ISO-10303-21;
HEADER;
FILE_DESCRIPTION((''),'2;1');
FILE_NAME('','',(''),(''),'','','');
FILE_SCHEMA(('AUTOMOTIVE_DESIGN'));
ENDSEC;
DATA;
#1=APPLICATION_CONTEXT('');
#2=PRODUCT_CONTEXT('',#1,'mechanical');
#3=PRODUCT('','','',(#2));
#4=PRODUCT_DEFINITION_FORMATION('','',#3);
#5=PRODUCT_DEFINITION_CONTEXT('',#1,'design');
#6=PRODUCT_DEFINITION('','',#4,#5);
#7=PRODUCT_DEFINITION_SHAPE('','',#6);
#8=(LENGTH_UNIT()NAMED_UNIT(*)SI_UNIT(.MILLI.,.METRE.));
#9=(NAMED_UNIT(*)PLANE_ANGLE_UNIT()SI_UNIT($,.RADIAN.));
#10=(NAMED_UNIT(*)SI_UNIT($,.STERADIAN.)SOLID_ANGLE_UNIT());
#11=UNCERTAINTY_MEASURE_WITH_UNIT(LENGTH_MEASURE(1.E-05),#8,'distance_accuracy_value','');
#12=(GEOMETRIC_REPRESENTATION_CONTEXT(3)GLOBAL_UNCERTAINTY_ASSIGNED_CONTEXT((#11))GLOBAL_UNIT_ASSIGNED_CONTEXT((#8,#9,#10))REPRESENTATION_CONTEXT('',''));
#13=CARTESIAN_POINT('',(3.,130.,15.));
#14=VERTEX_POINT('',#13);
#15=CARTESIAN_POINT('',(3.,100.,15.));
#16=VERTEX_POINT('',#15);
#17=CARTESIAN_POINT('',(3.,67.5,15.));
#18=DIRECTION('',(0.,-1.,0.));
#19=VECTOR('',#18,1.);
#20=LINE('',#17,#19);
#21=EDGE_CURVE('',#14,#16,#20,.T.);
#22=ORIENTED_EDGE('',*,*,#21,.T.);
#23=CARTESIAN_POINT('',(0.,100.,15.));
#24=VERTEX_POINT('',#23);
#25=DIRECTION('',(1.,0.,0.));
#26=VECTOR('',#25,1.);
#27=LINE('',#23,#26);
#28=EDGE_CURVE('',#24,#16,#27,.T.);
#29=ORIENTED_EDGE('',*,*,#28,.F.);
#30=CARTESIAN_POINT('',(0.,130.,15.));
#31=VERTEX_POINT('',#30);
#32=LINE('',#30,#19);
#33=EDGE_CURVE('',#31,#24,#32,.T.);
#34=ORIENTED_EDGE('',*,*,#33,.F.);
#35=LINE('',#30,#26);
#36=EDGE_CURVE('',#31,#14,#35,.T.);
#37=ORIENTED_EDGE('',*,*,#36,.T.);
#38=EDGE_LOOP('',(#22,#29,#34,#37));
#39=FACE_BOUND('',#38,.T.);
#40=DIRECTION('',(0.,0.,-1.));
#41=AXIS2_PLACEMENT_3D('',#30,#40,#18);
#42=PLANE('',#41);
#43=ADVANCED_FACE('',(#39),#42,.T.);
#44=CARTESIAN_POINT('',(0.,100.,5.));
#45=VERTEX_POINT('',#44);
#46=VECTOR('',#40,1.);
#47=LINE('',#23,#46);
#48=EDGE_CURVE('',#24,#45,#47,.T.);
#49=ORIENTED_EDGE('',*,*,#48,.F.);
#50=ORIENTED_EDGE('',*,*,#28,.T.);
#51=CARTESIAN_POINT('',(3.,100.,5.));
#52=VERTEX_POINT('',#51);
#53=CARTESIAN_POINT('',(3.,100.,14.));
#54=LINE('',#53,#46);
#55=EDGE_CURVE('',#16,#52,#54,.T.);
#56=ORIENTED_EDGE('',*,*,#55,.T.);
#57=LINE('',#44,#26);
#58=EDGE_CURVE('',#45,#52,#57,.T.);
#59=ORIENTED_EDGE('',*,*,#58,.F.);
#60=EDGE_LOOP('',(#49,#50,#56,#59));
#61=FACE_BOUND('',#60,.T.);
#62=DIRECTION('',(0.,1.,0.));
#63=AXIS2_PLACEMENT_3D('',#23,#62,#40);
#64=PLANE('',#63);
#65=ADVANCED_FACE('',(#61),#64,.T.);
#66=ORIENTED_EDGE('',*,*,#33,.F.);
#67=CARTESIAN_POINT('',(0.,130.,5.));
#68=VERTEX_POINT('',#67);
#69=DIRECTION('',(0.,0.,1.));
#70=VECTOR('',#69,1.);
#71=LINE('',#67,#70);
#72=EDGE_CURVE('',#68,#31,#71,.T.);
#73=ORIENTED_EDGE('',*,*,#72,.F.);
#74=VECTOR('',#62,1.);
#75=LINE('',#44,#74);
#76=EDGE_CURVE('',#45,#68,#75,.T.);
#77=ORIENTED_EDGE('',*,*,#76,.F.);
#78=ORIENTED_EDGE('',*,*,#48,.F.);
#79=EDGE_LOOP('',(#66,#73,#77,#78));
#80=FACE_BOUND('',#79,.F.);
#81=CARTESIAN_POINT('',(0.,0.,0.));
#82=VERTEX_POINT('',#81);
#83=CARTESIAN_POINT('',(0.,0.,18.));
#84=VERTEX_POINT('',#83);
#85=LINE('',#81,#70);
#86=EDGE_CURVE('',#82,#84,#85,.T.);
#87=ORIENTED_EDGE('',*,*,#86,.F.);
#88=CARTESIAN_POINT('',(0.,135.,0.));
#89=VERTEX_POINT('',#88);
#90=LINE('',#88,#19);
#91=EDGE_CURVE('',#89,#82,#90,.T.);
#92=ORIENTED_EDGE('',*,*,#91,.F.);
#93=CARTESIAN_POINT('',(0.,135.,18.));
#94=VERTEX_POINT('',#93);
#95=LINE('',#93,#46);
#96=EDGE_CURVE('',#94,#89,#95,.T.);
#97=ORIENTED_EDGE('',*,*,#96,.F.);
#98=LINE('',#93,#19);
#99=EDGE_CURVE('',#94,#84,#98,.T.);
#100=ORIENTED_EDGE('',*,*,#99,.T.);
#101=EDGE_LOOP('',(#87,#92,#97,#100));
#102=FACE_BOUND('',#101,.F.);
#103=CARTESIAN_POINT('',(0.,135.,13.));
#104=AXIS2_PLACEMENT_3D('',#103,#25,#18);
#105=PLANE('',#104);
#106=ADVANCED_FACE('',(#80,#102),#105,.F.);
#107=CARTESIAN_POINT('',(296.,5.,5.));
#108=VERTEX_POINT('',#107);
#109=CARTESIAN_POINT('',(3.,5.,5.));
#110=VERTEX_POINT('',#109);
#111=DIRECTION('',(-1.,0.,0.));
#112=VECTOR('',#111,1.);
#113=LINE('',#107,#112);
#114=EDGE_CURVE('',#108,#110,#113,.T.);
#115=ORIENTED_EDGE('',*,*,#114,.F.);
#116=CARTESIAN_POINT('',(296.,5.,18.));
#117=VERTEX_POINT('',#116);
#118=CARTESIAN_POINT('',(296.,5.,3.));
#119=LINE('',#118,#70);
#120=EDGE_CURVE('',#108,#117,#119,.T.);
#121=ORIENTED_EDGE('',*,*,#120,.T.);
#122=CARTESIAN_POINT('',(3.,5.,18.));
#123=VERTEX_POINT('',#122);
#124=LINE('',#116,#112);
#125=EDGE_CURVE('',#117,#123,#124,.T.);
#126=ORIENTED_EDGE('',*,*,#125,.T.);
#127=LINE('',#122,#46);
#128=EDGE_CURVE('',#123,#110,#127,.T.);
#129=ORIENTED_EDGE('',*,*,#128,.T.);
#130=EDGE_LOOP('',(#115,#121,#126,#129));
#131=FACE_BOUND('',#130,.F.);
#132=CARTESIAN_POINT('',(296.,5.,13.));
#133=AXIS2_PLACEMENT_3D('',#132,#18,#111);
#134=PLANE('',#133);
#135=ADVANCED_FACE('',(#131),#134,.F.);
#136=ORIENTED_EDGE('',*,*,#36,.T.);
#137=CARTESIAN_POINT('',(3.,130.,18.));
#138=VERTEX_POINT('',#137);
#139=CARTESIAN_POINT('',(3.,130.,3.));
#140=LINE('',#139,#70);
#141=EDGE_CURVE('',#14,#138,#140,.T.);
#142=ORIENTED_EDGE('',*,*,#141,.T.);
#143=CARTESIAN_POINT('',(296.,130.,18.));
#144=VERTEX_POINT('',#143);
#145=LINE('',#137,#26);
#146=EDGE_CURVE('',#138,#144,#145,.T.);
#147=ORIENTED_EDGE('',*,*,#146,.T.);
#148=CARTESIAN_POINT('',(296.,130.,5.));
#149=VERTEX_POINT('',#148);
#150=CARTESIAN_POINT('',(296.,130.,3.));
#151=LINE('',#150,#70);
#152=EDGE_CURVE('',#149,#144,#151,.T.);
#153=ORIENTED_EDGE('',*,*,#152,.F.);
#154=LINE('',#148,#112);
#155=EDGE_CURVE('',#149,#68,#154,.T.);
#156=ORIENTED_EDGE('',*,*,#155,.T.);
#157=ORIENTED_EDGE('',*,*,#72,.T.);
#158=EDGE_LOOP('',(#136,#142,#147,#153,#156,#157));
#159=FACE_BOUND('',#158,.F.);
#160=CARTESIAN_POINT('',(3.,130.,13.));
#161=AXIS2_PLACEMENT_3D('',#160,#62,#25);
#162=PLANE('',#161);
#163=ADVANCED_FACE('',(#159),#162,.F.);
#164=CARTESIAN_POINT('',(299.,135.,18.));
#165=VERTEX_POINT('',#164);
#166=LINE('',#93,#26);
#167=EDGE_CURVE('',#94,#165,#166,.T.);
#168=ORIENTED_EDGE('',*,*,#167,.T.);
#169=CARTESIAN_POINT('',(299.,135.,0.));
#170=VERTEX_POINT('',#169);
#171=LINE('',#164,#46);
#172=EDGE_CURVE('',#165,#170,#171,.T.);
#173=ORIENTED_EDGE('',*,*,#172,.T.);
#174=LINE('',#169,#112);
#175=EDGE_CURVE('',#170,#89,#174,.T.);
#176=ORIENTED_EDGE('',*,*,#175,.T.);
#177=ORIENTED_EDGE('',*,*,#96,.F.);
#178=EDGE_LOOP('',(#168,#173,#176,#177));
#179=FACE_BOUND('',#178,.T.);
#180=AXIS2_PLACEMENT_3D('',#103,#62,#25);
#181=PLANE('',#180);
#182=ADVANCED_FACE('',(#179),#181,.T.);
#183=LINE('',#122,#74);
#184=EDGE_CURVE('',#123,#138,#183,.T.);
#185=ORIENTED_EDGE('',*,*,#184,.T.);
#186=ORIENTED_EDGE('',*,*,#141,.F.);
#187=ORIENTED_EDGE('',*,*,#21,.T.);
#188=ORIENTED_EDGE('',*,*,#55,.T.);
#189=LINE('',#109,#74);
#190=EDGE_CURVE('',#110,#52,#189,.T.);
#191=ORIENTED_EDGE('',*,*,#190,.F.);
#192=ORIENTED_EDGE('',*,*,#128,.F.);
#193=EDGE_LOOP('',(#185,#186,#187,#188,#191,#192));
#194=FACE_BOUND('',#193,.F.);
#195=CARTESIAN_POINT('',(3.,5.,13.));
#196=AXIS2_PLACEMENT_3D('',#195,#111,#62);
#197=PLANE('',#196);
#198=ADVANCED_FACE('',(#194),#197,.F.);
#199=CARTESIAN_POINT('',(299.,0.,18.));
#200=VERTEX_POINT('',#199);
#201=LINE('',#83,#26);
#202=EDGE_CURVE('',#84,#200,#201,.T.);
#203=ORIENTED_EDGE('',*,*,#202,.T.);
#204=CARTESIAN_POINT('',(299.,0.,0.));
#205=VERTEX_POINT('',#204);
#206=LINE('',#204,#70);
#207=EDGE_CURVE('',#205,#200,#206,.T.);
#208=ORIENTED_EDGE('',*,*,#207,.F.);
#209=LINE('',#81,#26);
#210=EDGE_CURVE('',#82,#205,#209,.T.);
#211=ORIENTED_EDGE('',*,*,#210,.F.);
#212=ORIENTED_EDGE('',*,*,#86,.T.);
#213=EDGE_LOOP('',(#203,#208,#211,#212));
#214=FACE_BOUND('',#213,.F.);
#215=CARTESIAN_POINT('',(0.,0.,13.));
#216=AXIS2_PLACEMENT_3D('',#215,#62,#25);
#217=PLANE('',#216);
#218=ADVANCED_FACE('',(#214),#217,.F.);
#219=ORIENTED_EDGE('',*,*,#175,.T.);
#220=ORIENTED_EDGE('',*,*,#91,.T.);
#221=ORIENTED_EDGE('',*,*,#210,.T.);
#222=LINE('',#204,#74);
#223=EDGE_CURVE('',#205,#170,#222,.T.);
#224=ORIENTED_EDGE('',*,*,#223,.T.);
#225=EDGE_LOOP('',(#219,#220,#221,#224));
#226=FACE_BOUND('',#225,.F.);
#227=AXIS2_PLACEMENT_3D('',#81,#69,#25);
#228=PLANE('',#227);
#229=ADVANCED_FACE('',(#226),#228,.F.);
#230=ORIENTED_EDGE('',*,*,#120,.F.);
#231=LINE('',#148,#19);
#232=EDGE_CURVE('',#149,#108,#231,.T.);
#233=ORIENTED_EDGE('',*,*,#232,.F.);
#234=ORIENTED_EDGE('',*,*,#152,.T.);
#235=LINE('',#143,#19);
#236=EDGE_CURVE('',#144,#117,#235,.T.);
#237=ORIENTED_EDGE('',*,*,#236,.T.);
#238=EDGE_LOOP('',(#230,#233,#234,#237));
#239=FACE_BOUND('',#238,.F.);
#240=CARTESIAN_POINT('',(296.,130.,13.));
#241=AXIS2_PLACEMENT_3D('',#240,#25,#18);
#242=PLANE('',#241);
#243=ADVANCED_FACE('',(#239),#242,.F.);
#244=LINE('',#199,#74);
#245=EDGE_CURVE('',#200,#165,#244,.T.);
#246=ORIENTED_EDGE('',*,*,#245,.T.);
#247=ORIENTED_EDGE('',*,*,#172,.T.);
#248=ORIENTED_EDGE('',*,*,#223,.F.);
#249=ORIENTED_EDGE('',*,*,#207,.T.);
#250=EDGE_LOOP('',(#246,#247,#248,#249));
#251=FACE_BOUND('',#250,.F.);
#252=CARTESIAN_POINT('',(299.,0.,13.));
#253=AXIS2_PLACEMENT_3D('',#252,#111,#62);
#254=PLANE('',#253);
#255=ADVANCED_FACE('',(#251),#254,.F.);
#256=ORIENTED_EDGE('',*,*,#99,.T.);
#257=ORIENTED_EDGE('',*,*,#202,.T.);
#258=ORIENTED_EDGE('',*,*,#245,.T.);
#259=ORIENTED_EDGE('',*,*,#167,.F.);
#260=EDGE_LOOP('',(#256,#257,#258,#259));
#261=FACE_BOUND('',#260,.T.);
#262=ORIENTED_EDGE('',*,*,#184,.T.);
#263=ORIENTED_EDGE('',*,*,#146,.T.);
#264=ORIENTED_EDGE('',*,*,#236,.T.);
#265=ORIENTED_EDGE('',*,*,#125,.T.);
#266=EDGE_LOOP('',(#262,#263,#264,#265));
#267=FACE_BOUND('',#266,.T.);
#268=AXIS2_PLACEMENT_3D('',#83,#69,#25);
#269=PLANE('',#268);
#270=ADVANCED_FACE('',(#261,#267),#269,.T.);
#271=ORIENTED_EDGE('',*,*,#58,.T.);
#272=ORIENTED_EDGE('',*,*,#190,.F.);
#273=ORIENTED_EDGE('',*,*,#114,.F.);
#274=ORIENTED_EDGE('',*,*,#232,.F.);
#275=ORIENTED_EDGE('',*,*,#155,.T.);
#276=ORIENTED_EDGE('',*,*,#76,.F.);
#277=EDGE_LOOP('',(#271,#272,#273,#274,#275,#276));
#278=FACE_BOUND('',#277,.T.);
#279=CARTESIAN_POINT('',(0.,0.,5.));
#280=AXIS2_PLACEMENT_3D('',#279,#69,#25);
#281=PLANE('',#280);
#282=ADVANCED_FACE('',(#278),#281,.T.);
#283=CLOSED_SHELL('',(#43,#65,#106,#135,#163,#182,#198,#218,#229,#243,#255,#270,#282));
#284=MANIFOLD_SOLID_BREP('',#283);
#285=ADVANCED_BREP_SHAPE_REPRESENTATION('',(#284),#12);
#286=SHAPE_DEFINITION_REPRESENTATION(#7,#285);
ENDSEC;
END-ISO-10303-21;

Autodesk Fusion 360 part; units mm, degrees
sketch "Sketch1" plane through (0, 0, 0) normal (0, 0, 1) x (1, 0, 0)
  line L0 (0, 0) -> (299, 0)
  line L1 (299, 0) -> (299, 135)
  line L2 (299, 135) -> (0, 135)
  line L3 (0, 135) -> (0, 0)
  line L4 (0, 135) -> (3, 135)
  line L5 (3, 130) -> (296, 130)
  line L6 (296, 130) -> (296, 5)
  line L7 (296, 5) -> (3, 5)
  line L8 (3, 5) -> (3, 130)
  dimension "d1" = 299
  dimension "d2" = 135
  dimension "d3" = 3
extrude "Extrude1" add sketch "Sketch1" along normal blind 13
sketch "Sketch2" plane through (0, 0, 0) normal (0, 0, 1) x (1, 0, 0)
  line L0 (3, 130) -> (296, 130)
  line L1 (296, 130) -> (296, 5)
  line L2 (296, 5) -> (3, 5)
  line L3 (3, 5) -> (3, 130)
extrude "Extrude2" add sketch "Sketch2" along normal blind 3
extrude "Extrude3" add 1 faces at (100.6667, 1.6667, 13) along direction (0, 0, 1) blind 5
extrude "Extrude4" add 1 faces at (100.6667, 88.3333, 3) along direction (0, 0, 1) blind 2
sketch "Sketch3" plane through (0, 0, 0) normal (-1, 0, 0) x (0, -1, 0)
  line L0 (-135, 0) -> (0, 0)
  line L1 (0, 0) -> (0, 18)
  line L2 (0, 18) -> (-135, 18)
  line L3 (-135, 18) -> (-135, 0)
  line L4 (-130, 15) -> (-100, 15)
  line L5 (-100, 15) -> (-100, 5)
  line L6 (-100, 5) -> (-130, 5)
  line L7 (-130, 5) -> (-130, 15)
  dimension "d12" = 10
extrude "Extrude5" cut sketch "Sketch3" against normal blind 10 contours L4 L5 L6 L7
